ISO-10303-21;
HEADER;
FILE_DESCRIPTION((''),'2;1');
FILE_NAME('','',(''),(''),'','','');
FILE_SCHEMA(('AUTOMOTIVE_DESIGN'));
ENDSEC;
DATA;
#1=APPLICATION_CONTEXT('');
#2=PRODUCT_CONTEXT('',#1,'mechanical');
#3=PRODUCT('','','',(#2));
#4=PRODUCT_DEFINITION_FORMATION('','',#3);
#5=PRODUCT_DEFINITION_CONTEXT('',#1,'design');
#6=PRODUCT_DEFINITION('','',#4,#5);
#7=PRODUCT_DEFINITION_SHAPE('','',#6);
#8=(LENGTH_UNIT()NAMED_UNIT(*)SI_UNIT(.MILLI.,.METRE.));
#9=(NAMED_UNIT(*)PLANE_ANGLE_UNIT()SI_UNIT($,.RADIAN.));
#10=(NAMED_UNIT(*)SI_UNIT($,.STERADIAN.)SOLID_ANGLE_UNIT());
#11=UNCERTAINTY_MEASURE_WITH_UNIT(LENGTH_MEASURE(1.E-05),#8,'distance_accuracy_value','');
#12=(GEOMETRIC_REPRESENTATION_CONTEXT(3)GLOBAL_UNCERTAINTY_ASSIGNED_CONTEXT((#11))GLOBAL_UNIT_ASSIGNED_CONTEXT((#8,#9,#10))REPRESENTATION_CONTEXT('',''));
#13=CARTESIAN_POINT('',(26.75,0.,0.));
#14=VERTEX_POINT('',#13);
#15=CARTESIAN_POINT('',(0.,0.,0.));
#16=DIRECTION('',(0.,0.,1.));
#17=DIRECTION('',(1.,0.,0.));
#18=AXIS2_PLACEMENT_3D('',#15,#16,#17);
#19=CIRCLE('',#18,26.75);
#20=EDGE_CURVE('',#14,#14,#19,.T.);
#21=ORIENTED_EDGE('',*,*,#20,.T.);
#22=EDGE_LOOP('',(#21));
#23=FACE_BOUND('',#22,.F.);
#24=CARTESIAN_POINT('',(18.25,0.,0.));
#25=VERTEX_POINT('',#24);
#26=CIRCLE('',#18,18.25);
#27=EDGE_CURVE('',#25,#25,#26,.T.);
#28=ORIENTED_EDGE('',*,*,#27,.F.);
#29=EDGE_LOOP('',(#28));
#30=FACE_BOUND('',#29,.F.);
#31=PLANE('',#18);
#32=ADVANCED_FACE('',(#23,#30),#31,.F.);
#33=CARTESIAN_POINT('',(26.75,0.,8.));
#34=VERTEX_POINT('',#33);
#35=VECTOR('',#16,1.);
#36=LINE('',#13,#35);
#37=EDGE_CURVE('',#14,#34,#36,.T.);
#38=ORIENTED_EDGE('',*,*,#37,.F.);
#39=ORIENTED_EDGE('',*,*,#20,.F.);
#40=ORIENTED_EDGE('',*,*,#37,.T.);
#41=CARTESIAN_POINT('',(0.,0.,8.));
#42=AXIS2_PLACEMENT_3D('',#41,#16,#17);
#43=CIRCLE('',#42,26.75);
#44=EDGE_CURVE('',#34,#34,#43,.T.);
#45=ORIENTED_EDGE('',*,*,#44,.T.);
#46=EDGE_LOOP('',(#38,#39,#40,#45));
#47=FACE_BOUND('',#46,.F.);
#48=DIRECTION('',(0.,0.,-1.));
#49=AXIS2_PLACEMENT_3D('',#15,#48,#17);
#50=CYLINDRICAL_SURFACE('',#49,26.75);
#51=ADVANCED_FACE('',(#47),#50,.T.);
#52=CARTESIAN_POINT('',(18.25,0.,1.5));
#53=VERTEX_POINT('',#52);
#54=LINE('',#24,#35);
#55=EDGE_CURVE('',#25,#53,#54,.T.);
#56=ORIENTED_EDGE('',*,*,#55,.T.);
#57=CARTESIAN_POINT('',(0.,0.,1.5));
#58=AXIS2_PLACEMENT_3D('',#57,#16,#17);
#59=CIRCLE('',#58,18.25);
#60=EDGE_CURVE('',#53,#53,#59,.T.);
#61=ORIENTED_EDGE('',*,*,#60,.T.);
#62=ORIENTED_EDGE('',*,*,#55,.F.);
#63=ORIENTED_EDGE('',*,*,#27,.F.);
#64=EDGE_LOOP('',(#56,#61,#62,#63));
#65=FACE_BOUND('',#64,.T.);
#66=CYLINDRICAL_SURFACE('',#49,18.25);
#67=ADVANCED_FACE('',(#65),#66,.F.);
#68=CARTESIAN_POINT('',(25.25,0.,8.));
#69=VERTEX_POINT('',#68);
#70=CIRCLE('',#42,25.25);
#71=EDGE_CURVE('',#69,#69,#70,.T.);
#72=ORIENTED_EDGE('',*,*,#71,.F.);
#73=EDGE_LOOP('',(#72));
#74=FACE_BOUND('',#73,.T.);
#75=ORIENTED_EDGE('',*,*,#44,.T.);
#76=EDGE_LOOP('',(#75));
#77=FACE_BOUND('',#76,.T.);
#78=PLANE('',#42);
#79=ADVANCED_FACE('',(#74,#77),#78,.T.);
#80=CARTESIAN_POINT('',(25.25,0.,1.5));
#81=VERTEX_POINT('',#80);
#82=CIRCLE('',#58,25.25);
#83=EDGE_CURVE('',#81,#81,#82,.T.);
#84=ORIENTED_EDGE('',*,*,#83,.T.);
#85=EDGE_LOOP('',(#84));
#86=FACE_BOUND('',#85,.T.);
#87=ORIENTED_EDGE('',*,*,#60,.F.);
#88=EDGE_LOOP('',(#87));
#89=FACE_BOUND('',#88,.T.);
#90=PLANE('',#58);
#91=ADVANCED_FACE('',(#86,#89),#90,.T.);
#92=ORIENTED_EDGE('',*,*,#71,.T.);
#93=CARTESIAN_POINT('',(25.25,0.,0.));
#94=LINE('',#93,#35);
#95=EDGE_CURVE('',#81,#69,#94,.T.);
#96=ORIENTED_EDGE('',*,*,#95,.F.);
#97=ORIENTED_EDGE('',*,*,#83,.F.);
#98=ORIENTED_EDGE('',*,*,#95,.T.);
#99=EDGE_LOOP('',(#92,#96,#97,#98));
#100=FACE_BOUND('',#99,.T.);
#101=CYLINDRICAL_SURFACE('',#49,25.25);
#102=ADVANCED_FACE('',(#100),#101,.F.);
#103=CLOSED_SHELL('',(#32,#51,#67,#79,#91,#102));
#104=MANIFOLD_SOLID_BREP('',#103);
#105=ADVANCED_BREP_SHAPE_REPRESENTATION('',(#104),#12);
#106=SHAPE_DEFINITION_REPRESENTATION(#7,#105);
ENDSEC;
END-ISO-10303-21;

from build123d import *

# Parameters (mm, degrees)
F0_R     = 25.25
F0_R_2   = 18.25
F1_DEPTH = 1.5
F2_R     = 26.75
F2_R_2   = 25.25
F3_DEPTH = 8


with BuildPart() as f1:
    # F0 (on Top) → F1 (new body)
    with BuildSketch(Plane.XY):
        Circle(F0_R)
        Circle(F0_R_2, mode=Mode.SUBTRACT)
    extrude(amount=F1_DEPTH)

    # F2 (on Top) → F3 (join)
    with BuildSketch(Plane.XY):
        Circle(F2_R)
        Circle(F2_R_2, mode=Mode.SUBTRACT)
    extrude(amount=F3_DEPTH)


solid = f1.part
